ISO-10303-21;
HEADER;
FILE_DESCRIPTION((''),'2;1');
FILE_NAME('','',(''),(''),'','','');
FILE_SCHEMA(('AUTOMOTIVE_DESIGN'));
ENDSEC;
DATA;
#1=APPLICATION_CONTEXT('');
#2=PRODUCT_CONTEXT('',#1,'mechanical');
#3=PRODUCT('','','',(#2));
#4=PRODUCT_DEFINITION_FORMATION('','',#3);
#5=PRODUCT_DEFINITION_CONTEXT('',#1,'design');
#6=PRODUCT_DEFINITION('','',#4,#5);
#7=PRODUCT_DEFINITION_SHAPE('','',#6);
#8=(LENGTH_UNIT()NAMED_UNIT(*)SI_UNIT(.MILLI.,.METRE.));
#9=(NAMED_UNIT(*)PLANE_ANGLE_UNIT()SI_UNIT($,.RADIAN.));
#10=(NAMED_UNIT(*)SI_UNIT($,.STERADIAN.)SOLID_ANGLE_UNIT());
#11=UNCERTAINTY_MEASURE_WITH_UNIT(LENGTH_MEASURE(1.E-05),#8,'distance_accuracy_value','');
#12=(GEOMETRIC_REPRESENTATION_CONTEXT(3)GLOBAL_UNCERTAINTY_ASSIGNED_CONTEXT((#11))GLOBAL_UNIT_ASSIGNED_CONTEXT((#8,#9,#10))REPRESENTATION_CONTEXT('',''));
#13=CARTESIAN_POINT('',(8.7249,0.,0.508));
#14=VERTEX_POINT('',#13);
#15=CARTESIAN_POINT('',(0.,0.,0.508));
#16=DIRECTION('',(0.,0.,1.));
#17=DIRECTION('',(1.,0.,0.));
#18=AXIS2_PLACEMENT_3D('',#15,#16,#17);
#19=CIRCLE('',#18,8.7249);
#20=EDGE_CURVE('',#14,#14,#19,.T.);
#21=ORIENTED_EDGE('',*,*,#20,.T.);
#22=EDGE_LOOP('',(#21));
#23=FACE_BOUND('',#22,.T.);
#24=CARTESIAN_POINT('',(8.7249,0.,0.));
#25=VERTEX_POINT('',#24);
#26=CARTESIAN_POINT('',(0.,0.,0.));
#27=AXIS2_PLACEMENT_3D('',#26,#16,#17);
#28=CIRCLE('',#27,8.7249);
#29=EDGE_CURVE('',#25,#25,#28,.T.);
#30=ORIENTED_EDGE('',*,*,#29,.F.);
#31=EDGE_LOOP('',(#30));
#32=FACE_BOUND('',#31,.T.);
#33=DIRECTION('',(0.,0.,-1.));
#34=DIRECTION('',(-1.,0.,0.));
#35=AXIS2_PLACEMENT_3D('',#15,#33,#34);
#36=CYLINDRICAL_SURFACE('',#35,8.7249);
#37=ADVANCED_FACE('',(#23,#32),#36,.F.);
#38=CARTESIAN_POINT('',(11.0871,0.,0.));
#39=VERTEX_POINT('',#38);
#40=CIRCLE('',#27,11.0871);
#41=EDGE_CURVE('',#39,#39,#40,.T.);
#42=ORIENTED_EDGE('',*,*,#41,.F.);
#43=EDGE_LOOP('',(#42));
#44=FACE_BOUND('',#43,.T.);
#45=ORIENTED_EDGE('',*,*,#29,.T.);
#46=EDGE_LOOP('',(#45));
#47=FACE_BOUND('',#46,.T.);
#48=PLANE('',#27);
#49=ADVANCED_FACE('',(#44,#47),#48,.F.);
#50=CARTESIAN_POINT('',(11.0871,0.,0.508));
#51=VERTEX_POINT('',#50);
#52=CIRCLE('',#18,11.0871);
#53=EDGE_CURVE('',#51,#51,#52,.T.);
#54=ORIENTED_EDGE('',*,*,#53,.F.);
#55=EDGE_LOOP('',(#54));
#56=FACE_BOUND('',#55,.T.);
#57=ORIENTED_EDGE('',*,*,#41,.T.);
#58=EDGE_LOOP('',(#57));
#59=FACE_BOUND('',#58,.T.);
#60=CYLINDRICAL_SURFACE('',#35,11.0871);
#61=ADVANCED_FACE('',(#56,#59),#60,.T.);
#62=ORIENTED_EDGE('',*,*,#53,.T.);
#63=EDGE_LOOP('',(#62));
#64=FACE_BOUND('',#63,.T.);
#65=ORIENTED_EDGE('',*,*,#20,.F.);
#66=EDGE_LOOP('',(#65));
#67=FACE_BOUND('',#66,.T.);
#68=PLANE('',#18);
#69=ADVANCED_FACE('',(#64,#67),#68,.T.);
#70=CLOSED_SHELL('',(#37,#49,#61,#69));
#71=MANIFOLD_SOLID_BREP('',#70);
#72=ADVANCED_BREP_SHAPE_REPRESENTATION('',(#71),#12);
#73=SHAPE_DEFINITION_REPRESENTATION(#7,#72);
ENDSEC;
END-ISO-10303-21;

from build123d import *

# Parameters (mm, degrees)
SKETCH1_R           = 11.0871
SKETCH1_R_2         = 8.7249
BOSS_EXTRUDE1_DEPTH = 0.508


with BuildPart() as part:
    # Sketch1 → Boss-Extrude1 (new body)
    with BuildSketch(Plane.XY):
        Circle(SKETCH1_R)
        Circle(SKETCH1_R_2, mode=Mode.SUBTRACT)
    extrude(amount=BOSS_EXTRUDE1_DEPTH)


solid = part.part
